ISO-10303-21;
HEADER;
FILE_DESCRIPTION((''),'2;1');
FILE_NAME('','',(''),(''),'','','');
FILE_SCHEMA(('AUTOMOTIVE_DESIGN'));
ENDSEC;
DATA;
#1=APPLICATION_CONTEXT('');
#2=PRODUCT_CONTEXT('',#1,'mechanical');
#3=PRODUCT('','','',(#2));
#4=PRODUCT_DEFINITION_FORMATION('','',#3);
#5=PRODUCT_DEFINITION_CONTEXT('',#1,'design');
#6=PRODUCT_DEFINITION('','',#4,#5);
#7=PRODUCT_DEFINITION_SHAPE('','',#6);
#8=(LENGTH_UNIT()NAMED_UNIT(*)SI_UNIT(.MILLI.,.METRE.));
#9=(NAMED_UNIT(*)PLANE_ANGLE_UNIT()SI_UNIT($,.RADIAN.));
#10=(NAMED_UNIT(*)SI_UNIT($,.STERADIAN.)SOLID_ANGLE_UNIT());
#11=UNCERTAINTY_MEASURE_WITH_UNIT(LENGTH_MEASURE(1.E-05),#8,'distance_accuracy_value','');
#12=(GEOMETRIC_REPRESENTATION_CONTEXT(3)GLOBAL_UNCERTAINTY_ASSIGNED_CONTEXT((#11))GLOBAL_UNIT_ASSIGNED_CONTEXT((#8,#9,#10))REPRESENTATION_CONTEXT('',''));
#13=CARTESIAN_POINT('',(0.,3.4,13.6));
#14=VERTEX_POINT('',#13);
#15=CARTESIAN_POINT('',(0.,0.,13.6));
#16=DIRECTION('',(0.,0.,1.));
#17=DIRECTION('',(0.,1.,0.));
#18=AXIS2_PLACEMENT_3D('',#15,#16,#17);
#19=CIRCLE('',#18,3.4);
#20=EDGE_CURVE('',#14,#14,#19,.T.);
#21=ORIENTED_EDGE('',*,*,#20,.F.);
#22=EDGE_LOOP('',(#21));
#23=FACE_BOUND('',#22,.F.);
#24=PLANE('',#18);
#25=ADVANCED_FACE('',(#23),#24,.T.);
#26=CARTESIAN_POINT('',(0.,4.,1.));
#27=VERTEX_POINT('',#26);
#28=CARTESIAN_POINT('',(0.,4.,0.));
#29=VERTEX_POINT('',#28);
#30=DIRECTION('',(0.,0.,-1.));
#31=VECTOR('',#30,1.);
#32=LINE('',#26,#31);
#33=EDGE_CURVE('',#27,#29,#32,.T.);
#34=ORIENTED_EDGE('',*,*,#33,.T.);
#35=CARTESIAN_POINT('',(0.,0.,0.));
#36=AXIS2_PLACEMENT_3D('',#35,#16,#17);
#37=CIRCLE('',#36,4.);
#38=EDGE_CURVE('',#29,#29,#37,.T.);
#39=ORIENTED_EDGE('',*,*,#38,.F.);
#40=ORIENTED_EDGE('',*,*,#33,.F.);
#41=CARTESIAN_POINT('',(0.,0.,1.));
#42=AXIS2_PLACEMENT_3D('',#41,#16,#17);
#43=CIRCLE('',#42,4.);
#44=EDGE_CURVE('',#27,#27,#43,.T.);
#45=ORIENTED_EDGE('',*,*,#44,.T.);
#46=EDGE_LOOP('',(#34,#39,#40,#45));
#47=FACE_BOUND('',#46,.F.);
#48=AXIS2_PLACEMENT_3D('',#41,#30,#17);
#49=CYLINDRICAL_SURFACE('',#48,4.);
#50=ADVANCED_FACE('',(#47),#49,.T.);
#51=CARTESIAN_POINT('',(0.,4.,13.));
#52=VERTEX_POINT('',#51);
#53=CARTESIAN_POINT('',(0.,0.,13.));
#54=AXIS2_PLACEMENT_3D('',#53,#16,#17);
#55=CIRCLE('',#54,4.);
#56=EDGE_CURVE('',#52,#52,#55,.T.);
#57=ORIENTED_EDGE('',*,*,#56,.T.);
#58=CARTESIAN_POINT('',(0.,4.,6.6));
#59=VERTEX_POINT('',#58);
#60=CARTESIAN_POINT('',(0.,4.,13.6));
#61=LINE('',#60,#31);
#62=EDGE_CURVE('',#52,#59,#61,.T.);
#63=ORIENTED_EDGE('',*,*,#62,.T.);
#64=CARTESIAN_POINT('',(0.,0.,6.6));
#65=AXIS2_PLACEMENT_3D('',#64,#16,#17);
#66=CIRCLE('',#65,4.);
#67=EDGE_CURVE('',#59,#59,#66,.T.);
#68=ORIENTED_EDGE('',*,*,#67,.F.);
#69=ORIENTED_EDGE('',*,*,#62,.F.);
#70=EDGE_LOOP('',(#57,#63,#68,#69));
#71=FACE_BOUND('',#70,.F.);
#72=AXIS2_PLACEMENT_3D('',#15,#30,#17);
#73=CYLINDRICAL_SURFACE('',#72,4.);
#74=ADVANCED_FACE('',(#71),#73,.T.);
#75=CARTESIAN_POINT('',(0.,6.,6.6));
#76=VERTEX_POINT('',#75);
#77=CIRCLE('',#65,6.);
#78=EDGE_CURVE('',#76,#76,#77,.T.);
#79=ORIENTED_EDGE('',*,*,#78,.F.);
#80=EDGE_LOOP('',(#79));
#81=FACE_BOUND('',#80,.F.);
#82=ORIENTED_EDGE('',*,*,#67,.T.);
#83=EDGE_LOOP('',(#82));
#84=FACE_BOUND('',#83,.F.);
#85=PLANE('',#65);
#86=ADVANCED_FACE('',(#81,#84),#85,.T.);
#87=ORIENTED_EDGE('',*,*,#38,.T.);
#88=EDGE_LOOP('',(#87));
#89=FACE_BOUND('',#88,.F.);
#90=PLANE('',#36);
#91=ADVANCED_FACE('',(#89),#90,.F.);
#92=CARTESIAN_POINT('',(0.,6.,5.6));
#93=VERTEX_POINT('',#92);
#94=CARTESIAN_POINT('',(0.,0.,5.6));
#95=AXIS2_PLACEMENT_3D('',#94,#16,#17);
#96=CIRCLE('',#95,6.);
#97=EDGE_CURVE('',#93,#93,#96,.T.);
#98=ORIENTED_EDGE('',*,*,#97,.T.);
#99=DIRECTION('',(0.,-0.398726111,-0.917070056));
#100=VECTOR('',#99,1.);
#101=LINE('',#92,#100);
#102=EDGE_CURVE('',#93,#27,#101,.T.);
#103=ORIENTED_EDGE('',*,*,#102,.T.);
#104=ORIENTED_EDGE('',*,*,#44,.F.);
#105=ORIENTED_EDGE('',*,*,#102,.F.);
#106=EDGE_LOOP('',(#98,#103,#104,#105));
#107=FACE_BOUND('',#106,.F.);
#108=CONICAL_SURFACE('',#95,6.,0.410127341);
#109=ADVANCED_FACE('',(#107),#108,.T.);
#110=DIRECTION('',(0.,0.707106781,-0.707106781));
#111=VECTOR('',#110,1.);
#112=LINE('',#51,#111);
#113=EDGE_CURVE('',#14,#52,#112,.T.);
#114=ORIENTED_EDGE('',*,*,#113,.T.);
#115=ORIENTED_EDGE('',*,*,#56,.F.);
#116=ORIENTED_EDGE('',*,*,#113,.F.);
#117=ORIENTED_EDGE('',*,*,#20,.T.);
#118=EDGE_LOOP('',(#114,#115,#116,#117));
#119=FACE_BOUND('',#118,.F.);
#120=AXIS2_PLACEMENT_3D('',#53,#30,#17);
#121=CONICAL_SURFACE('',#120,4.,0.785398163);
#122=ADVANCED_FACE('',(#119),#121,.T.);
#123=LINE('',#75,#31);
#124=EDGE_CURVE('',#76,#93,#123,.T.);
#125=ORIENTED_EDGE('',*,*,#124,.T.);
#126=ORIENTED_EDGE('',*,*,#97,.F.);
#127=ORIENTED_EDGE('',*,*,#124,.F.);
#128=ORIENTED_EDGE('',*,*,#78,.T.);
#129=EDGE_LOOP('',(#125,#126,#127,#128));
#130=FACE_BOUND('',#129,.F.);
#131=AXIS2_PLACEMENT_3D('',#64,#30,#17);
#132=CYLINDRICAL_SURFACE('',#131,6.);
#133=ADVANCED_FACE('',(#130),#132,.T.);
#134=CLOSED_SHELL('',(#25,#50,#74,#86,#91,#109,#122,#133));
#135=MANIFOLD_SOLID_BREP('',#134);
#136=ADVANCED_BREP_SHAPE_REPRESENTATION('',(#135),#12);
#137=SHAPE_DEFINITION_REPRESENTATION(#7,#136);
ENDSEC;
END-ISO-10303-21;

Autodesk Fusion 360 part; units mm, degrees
sketch "Schizzo1" plane through (0, 0, 0) normal (1, 0, 0) x (0, 1, 0)
  line L0 (0, 0) -> (0, 13.6)
  line L1 (0, 13.6) -> (4, 13.6)
  line L2 (4, 13.6) -> (4, 6.6)
  line L3 (4, 6.6) -> (6, 6.6)
  line L4 (6, 6.6) -> (6, 5.6)
  line L5 (6, 5.6) -> (4, 1)
  line L6 (4, 1) -> (4, 0)
  line L7 (4, 0) -> (0, 0)
  line L8 (0, 0) -> (0, -9.2) construction
  line L9 (0, -9.2) -> (10, -9.2) construction
  line L10 (0, -4) -> (10, -4) construction
  line L11 (0, 6.8) -> (10, 6.8) construction
  dimension "d1" = 8
  dimension "d2" = 8
  dimension "d3" = 7
  dimension "d4" = 10.8
  dimension "d5" = 16
  dimension "d6" = 0.2
  dimension "d7" = 10
  dimension "d8" = 2
  dimension "d10" = 4
  dimension "d11" = 1
  dimension "d12" = 1
revolve "Rivoluzione1" add sketch "Schizzo1" angle 360 about axis through (0, 0, 0) along (0, 0, 1)
chamfer "Smusso1" distance 0.6 angle 45 1 edges at (-3.7293, 1.4465, 13.6)
component "Component" placed x (1, 0, 0) y (0, 1, 0) z (0, 0, 1) at (0, 0, 0)
